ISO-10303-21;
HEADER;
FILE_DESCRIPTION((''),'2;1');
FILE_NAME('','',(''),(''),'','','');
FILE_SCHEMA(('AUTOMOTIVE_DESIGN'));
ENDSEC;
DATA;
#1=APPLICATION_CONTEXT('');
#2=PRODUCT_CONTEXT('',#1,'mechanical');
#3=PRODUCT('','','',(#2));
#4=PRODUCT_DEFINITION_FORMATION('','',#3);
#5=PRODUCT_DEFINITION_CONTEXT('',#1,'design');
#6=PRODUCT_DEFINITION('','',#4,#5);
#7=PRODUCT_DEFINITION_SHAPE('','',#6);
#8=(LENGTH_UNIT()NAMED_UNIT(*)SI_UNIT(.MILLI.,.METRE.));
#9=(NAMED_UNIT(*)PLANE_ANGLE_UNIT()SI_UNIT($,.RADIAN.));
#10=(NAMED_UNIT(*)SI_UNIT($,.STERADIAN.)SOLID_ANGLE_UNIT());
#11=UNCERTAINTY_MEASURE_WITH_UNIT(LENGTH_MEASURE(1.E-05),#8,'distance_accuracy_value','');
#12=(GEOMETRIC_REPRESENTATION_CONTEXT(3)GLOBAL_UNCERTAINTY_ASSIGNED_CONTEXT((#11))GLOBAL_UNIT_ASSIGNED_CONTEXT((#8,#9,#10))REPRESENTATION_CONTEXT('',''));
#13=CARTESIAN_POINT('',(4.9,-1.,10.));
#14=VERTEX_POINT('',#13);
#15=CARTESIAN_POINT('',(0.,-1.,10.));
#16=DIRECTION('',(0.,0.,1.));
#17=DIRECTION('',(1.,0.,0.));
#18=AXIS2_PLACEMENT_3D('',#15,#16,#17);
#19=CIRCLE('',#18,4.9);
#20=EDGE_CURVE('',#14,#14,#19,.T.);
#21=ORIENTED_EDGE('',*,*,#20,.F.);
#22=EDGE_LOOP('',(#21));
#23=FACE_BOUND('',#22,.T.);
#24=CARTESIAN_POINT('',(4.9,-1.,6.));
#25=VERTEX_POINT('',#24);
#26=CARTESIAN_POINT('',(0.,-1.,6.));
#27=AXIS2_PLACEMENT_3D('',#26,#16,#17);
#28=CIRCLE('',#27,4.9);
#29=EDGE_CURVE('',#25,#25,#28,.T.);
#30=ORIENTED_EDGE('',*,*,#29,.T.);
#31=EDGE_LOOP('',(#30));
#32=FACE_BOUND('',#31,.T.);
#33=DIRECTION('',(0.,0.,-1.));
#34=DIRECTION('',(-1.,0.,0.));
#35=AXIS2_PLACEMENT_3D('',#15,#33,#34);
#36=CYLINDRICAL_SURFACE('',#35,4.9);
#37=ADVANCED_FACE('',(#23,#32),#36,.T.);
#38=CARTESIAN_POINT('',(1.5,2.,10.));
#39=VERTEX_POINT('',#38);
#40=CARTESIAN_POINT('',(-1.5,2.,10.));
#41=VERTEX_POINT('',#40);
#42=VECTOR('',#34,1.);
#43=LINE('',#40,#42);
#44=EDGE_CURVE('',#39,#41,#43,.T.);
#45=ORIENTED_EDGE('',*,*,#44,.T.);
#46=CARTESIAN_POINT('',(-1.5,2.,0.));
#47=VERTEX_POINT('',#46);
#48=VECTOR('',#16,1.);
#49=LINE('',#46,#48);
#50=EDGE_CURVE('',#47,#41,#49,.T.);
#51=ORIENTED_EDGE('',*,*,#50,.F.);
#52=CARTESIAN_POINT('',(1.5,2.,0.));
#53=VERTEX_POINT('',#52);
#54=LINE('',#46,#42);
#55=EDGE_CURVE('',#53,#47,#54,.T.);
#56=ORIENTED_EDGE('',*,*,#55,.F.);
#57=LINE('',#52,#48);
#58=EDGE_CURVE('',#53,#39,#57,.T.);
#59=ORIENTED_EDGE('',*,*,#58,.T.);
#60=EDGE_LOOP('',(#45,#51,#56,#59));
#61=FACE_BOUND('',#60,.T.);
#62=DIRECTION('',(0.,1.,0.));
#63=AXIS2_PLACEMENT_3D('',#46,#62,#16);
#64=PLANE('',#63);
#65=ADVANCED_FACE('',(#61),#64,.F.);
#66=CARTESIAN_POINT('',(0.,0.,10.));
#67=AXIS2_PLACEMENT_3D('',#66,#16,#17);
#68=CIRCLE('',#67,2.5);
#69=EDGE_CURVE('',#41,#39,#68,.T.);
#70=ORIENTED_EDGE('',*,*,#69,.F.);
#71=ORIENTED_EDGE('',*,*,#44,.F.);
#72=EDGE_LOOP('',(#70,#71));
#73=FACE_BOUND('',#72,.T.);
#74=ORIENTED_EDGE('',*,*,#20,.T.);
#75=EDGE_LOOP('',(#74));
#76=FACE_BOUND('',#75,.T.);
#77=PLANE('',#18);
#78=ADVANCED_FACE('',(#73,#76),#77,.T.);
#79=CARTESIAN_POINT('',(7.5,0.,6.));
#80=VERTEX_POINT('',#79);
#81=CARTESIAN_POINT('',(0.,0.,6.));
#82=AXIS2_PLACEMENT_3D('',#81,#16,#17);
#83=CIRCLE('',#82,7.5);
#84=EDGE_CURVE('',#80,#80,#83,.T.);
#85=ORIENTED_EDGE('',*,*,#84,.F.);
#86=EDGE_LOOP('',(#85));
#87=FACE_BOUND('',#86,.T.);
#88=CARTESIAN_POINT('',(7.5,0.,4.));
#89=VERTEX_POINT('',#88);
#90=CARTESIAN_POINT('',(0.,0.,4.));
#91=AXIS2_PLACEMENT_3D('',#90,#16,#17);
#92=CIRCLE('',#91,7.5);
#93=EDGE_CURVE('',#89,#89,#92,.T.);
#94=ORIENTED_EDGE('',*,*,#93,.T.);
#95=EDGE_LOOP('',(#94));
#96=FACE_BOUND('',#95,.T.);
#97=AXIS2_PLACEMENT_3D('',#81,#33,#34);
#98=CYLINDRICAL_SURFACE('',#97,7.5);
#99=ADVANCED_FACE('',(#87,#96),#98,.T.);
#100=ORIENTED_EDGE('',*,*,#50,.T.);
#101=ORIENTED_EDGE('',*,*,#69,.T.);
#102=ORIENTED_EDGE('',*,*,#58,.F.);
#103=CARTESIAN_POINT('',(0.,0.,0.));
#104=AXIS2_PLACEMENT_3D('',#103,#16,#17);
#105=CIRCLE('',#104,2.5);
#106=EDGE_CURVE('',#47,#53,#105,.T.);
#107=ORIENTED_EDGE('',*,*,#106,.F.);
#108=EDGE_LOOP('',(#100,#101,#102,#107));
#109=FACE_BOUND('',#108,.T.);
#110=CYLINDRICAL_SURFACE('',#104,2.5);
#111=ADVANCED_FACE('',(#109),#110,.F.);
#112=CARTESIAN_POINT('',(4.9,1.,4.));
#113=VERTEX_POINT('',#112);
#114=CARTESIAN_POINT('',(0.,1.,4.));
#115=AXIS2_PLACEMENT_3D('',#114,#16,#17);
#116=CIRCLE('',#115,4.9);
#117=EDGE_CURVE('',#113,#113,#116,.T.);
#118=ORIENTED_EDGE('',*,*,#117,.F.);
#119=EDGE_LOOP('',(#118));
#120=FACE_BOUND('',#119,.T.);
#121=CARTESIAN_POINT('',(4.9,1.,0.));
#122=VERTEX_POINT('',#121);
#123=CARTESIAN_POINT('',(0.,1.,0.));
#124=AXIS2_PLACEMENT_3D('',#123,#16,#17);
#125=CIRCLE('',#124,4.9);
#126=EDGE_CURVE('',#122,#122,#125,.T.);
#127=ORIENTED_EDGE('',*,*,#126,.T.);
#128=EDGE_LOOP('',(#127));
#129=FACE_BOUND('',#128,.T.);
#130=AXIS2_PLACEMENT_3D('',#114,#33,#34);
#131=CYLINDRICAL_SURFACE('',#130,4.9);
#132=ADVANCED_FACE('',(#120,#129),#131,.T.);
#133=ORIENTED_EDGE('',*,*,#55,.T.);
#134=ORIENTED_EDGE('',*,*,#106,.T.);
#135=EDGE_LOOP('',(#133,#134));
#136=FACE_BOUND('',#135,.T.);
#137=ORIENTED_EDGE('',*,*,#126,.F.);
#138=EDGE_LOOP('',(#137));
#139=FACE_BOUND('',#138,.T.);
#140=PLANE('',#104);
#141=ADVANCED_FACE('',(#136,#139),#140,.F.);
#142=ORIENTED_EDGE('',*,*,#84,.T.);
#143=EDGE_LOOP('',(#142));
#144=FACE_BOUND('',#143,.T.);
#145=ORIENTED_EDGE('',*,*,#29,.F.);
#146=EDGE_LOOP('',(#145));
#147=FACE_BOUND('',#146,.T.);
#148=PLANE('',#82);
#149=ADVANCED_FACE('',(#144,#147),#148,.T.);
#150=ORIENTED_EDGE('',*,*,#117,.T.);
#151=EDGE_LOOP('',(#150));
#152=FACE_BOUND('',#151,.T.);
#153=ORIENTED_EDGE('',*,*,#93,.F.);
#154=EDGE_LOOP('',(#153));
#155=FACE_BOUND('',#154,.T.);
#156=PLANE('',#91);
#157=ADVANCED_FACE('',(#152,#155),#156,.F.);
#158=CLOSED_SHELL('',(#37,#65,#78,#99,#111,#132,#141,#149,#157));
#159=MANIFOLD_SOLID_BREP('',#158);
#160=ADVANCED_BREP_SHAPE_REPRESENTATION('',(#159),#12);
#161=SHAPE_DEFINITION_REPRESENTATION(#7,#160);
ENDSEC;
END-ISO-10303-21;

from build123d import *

# Parameters (mm, degrees)
ESQUISSE1_R             = 4.9
BOSS_EXTRU_1_DEPTH      = 4
ESQUISSE4_R             = 7.5
BOSS_EXTRU_4_DEPTH      = 2
ESQUISSE5_R             = 4.9
BOSS_EXTRU_5_DEPTH      = 4
ENL_V_MAT_EXTRU_1_DEPTH = 15.577379737


with BuildPart() as part:
    # Esquisse1 → Boss.-Extru.1 (new body)
    with BuildSketch(Plane.XY):
        with Locations((0, 1)):
            Circle(ESQUISSE1_R)
    extrude(amount=BOSS_EXTRU_1_DEPTH)

    # Esquisse4 → Boss.-Extru.4 (add)
    with BuildSketch(Plane.XY.offset(4)):
        Circle(ESQUISSE4_R)
    extrude(amount=BOSS_EXTRU_4_DEPTH)

    # Esquisse5 → Boss.-Extru.5 (add)
    with BuildSketch(Plane.XY.offset(6)):
        with Locations((0, -1)):
            Circle(ESQUISSE5_R)
    extrude(amount=BOSS_EXTRU_5_DEPTH)

    # Esquisse6 → Enlèv. mat.-Extru.1 (cut, through all)
    with BuildSketch(Plane.XY.offset(10)):
        with BuildLine():
            Line((-1.5, 2), (1.5, 2))
            ThreePointArc((1.5, 2), (0, -2.5), (-1.5, 2))
        make_face()
    extrude(amount=-ENL_V_MAT_EXTRU_1_DEPTH, mode=Mode.SUBTRACT)


solid = part.part
